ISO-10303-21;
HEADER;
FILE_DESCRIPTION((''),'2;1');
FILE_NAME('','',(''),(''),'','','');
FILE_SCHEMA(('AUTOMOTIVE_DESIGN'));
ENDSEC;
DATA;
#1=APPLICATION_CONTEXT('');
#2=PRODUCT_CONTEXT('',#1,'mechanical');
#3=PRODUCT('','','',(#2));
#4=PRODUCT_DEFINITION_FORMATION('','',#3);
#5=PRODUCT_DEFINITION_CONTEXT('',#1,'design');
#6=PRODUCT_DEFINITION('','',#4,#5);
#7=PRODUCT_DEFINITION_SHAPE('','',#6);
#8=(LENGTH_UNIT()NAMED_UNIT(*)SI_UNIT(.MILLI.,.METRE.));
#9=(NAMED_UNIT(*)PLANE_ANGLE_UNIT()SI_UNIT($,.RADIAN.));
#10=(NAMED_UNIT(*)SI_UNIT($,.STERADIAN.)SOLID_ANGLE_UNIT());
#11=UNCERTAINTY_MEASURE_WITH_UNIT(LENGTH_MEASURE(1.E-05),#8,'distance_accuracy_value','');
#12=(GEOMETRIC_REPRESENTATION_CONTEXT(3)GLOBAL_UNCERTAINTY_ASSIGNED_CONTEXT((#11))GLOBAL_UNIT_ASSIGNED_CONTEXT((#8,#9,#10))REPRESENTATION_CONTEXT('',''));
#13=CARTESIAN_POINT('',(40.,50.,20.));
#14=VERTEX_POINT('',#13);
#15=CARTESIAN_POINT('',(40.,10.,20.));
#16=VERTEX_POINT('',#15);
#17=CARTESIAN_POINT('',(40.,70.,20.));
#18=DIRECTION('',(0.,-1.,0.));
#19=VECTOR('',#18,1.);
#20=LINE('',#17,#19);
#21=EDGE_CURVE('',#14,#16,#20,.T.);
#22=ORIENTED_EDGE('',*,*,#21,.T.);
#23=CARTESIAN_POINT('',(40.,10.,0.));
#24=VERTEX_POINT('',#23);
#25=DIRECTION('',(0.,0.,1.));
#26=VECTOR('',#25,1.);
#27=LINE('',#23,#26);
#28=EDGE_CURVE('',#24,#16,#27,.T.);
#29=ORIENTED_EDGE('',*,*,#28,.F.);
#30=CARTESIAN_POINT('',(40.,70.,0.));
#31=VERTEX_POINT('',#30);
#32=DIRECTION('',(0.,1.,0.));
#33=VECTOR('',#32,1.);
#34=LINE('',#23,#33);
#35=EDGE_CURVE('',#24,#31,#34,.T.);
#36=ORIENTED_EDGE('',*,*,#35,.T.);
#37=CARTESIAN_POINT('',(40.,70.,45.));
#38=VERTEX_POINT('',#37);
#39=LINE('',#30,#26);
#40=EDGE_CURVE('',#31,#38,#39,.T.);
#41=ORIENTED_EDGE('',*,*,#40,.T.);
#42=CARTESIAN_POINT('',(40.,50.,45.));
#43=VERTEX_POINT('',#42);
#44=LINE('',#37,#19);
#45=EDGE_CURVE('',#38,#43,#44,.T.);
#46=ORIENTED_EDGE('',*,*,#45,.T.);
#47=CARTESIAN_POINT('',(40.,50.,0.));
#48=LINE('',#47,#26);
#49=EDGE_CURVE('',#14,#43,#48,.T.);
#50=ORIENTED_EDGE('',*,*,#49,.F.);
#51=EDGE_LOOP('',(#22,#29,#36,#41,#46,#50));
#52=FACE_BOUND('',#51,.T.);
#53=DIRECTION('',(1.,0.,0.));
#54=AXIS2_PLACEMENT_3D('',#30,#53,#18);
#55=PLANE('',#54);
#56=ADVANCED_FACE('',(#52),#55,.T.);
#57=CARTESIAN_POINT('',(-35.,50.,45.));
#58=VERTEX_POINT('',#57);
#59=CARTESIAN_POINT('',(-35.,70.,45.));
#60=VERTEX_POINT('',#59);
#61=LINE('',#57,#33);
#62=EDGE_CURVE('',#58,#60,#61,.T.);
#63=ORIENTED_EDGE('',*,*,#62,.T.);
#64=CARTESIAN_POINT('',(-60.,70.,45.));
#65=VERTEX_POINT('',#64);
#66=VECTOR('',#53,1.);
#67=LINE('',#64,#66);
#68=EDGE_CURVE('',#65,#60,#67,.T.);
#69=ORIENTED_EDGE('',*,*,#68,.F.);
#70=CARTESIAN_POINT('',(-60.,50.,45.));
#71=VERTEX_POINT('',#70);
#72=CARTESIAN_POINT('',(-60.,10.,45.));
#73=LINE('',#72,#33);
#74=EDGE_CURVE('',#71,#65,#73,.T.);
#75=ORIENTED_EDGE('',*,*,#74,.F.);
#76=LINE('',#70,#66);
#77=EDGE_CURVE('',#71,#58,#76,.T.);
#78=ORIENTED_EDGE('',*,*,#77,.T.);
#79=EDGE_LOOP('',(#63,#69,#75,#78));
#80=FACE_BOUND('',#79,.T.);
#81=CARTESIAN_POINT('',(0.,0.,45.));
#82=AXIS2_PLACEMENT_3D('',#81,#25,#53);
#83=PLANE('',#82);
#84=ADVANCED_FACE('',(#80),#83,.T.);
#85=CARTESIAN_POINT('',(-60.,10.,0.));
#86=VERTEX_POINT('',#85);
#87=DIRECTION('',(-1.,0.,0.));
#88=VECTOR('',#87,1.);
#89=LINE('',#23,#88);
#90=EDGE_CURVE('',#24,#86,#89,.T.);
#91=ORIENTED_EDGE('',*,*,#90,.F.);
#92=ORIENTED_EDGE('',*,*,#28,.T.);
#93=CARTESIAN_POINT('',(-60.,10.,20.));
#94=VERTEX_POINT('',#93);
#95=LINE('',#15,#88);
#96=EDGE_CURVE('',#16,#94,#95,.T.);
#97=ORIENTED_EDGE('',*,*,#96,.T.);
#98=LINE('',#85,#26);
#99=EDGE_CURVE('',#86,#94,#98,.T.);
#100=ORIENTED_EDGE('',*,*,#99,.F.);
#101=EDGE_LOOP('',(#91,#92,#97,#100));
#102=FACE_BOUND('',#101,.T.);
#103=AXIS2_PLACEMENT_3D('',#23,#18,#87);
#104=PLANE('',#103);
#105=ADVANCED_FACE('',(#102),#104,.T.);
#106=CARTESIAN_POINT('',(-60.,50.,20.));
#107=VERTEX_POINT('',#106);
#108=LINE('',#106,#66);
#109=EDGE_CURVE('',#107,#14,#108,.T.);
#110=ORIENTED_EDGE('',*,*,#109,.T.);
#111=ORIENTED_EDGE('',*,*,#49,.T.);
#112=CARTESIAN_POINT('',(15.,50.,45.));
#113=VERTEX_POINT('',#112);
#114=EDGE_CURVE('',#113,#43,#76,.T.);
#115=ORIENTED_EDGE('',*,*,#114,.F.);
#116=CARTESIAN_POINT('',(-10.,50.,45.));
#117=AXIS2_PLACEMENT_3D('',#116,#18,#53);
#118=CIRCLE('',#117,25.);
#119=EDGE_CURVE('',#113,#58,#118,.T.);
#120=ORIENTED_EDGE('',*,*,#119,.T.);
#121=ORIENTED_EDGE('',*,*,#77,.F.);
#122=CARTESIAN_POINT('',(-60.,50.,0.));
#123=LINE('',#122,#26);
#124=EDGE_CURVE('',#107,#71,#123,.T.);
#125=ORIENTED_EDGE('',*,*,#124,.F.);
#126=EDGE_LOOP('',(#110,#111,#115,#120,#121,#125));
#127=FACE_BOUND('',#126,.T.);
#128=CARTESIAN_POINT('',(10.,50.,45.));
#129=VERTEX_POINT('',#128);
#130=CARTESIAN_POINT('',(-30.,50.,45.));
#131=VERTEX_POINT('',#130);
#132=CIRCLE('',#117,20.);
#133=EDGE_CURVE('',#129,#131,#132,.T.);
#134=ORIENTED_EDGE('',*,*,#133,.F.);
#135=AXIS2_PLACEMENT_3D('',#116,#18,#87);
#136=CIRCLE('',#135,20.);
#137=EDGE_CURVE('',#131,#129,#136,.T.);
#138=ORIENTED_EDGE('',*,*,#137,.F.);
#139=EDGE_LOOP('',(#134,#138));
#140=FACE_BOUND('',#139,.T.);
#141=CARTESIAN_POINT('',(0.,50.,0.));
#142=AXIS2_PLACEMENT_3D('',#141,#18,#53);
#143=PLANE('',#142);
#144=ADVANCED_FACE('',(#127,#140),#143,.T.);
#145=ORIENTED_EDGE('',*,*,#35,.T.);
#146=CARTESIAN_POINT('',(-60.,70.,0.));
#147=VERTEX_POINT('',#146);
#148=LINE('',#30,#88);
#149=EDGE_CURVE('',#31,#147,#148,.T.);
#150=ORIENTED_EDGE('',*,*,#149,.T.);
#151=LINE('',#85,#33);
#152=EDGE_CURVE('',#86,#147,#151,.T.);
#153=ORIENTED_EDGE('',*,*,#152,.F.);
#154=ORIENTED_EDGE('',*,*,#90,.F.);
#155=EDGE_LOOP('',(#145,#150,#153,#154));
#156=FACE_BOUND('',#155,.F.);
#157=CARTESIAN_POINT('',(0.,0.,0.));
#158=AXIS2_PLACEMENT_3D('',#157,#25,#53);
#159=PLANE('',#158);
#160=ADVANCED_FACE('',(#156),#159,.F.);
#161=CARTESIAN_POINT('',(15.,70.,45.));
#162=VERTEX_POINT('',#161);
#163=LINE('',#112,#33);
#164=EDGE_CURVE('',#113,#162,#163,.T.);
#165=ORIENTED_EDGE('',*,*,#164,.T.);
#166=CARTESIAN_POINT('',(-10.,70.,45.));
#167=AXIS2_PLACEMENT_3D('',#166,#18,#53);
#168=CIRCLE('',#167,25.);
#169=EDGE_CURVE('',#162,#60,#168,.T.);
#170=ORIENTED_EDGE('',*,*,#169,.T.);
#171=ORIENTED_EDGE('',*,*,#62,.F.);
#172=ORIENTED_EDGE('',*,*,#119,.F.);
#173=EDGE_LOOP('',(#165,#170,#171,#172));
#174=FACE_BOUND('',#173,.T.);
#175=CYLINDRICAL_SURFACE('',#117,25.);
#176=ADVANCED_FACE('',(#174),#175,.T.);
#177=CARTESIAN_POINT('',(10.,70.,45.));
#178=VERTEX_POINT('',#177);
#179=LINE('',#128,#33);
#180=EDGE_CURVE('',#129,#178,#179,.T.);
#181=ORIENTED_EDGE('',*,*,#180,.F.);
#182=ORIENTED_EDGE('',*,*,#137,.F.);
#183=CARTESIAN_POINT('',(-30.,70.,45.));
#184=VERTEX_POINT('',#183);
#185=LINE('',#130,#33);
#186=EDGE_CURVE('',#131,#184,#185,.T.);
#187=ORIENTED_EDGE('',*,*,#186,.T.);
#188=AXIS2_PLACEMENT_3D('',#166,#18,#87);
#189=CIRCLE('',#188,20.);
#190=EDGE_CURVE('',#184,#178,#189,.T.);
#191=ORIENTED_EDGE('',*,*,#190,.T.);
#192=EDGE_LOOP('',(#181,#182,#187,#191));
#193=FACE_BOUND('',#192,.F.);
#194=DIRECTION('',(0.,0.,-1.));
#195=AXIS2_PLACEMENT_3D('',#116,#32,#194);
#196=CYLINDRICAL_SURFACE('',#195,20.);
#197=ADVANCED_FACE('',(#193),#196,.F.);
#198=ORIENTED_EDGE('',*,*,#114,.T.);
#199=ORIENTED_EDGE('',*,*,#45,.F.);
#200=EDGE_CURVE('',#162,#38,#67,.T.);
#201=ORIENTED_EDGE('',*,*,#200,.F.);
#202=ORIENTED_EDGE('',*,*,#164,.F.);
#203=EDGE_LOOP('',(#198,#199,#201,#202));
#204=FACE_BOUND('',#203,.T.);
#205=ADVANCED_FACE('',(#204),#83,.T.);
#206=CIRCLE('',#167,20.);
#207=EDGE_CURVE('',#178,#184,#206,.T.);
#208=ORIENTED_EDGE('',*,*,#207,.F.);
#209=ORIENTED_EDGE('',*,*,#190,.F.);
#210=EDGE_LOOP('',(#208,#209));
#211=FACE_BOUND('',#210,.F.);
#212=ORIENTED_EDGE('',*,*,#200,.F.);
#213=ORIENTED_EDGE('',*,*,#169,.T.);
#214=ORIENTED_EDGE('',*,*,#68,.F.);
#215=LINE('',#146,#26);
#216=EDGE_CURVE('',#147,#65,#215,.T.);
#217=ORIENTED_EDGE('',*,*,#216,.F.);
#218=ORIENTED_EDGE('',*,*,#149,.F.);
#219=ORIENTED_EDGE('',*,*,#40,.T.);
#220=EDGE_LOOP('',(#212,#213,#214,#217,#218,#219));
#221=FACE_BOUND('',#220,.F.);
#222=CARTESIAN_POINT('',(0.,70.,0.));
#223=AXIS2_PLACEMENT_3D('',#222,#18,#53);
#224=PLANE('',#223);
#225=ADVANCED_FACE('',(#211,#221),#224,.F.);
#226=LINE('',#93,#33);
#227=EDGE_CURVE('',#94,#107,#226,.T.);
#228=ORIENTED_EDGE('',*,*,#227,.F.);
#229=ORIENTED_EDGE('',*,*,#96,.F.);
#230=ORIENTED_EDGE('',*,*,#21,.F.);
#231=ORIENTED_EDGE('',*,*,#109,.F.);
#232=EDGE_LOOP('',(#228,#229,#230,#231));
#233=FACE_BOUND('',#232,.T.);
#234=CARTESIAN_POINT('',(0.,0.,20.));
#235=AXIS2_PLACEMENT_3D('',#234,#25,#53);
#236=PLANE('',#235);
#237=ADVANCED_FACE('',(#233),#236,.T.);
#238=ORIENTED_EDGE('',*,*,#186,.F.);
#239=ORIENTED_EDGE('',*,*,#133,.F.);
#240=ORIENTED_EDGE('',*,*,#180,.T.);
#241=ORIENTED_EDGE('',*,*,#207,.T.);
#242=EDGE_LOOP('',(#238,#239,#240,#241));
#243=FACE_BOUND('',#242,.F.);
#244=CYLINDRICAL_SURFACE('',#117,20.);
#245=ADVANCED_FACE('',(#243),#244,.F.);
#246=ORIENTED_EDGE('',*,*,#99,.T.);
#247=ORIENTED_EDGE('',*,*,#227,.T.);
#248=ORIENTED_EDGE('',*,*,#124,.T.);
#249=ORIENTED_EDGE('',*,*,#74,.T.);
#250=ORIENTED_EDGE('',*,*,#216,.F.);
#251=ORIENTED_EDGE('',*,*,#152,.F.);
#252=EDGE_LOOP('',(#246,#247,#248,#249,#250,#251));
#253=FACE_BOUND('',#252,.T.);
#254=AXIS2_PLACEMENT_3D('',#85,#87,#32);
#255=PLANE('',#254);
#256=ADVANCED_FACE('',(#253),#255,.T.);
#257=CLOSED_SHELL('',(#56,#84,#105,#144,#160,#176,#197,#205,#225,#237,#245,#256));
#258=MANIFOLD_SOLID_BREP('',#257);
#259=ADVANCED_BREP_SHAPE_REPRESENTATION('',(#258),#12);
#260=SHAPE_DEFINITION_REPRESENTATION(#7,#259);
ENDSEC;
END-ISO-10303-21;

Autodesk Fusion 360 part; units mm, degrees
sketch "Sketch1" plane through (0, 0, 0) normal (0, 0, 1) x (1, 0, 0)
  line L0 (-60, 70) -> (40, 70)
  line L1 (40, 70) -> (40, 10)
  line L2 (40, 10) -> (-60, 10)
  line L3 (-60, 10) -> (-60, 70)
  line L4 (-60, 70) -> (40, 70)
  line L5 (40, 70) -> (40, 50)
  line L6 (40, 50) -> (-60, 50)
  line L7 (-60, 50) -> (-60, 70)
  line L8 (-60, 70) -> (-35, 70)
  line L9 (-35, 70) -> (15, 70)
  line L10 (15, 70) -> (15, 50)
  line L11 (15, 50) -> (-35, 50)
  line L12 (-35, 50) -> (-35, 70)
  dimension "d1" = 100
  dimension "d2" = 60
extrude "Extrude1" add sketch "Sketch1" along normal blind 20 contours L1 L2 L3 L6 L11
extrude "Extrude2" add sketch "Sketch1" along normal blind 45 contours L0 L3 L4 L6 L7 L8 L12
extrude "Extrude3" add sketch "Sketch1" along normal blind 45 contours L0 L1 L4 L5 L6 L10
extrude "Extrude4" add sketch "Sketch1" along normal blind 45 contours L0 L4 L6 L9 L10 L11 L12
sketch "Sketch2" plane through (0, 50, 0) normal (0, -1, 0) x (1, 0, 0)
  line L0 (-60, 20) -> (40, 20)
  line L1 (40, 20) -> (40, 45)
  line L2 (40, 45) -> (-60, 45)
  line L3 (-60, 45) -> (-60, 20)
sketch "Sketch3" plane through (0, 50, 0) normal (0, -1, 0) x (1, 0, 0)
  line L0 (-35, 45) -> (-30, 45)
  circle A0 centre (-10, 45) radius 20
  line L1 (10, 45) -> (15, 45)
  arc A1 (15, 45) -> (-35, 45) centre (-10, 45) ccw
  dimension "d12" = 40
  dimension "d13" = 50
hole "Hole1" at (-10, 50, 45) direction (0, 1, 0) diameter 40 depth 600 tip angle 118
extrude "Extrude5" add sketch "Sketch3" against normal blind 20 contours L0 A0 L1 A1
